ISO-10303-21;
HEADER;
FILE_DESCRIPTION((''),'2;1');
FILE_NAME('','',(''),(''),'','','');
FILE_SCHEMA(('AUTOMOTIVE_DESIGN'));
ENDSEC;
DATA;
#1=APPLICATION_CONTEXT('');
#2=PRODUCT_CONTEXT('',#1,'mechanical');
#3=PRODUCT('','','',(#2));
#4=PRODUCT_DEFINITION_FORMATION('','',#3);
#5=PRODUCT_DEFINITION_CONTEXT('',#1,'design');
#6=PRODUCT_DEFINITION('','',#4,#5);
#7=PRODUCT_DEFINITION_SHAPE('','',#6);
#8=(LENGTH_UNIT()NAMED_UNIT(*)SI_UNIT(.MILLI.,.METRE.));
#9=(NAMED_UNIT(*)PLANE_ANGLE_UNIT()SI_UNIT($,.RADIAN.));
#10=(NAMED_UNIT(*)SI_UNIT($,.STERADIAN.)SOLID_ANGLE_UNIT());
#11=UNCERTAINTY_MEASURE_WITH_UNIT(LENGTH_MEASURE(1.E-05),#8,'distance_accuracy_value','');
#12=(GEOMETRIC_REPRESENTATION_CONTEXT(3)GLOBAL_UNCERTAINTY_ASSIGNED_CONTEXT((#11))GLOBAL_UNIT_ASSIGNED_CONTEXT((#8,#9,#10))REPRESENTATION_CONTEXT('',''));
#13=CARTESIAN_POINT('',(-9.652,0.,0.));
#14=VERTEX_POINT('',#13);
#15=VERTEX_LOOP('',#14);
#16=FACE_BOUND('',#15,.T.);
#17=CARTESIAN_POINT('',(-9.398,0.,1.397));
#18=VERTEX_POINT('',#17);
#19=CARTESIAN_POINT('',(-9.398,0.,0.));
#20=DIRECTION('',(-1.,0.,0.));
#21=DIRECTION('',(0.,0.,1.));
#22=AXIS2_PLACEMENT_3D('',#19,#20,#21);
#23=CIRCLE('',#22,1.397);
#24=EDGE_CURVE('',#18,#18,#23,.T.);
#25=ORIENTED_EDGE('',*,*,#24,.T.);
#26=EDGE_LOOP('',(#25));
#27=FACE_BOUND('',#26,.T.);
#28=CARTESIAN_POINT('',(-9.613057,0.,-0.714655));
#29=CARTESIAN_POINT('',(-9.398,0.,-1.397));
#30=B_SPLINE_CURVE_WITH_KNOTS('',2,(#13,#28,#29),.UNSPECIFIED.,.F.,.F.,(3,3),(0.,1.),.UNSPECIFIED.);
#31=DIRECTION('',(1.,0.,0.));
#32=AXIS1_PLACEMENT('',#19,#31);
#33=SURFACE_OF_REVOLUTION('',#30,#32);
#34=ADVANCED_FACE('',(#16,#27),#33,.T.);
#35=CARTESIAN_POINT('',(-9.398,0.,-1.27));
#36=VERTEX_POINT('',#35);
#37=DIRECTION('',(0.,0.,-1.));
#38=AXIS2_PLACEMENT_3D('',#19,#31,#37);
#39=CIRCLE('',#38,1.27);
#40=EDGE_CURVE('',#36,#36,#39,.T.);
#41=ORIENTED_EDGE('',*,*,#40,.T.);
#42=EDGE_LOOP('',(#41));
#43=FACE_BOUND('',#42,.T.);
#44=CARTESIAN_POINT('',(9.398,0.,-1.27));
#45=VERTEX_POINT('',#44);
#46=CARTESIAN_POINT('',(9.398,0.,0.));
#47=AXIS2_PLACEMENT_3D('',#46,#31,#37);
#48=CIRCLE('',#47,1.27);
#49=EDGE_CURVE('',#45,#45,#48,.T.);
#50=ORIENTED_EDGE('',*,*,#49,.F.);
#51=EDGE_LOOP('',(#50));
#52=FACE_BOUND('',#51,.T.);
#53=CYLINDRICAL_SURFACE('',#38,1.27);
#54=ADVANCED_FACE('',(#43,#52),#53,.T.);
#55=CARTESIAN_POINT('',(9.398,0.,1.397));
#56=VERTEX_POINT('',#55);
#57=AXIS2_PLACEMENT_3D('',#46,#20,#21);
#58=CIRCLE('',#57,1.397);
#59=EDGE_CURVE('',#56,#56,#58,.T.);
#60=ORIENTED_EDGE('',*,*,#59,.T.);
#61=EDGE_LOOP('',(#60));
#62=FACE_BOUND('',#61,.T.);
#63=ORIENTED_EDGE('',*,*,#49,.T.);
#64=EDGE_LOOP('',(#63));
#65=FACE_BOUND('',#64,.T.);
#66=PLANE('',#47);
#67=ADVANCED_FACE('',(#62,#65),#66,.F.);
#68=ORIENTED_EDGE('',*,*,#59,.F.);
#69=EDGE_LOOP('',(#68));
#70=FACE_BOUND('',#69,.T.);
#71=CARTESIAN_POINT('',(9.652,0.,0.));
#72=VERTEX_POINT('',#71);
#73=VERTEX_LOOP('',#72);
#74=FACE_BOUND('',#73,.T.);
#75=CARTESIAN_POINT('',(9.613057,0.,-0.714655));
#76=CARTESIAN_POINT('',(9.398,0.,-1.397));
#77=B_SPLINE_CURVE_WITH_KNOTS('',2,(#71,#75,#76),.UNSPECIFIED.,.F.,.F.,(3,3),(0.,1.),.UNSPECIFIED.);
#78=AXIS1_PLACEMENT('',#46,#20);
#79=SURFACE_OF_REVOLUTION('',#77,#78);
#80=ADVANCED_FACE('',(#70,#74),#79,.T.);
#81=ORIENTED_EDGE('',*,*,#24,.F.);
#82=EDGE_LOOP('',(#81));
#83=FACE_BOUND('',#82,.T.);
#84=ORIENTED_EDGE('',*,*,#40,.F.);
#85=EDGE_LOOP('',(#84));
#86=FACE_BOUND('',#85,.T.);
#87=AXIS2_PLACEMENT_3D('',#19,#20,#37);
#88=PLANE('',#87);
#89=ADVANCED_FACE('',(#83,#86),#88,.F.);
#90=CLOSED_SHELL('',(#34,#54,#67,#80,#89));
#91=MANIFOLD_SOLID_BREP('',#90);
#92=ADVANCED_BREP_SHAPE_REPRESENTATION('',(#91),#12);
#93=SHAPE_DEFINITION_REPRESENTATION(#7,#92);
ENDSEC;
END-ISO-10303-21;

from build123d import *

# Parameters (mm, degrees)
BOSS_EXTRUDE1_DEPTH      = 9.398
BOSS_EXTRUDE1_DEPTH_BACK = 9.398
SKETCH1_R                = 1.27


with BuildPart() as part:
    # Sketch1 → Boss-Extrude1 (new, two sides: drawn at the far end of the back side and taken through both)
    with BuildSketch(Plane(origin=(0, 0, 0), x_dir=(0, 0, -1), z_dir=(1, 0, 0)).offset(-BOSS_EXTRUDE1_DEPTH_BACK)):
        Circle(SKETCH1_R)
    extrude(amount=BOSS_EXTRUDE1_DEPTH + BOSS_EXTRUDE1_DEPTH_BACK)

    # Sketch5 → Revolve1 (revolve)
    with BuildSketch(Plane(origin=(0, 0, 0), x_dir=(1, 0, 0), z_dir=(0, 1, 0))):
        with BuildLine():
            Line((9.398, 0), (9.398, 1.397))
            add(Edge.make_bspline(
                [(9.398, 1.397), (9.613056609, 0.714655059), (9.652, 0)],
                knots=[0, 0, 0, 1, 1, 1], degree=2))
            Line((9.652, 0), (9.398, 0))
        make_face()
    revolve1 = revolve(axis=Axis((9.398, 0, 0), (1, 0, 0)))

    # Mirror1: Revolve1 across plane
    add(revolve1.mirror(Plane(origin=(0, 0, 0), x_dir=(0, 0, 1), z_dir=(1, 0, 0))))


solid = part.part
